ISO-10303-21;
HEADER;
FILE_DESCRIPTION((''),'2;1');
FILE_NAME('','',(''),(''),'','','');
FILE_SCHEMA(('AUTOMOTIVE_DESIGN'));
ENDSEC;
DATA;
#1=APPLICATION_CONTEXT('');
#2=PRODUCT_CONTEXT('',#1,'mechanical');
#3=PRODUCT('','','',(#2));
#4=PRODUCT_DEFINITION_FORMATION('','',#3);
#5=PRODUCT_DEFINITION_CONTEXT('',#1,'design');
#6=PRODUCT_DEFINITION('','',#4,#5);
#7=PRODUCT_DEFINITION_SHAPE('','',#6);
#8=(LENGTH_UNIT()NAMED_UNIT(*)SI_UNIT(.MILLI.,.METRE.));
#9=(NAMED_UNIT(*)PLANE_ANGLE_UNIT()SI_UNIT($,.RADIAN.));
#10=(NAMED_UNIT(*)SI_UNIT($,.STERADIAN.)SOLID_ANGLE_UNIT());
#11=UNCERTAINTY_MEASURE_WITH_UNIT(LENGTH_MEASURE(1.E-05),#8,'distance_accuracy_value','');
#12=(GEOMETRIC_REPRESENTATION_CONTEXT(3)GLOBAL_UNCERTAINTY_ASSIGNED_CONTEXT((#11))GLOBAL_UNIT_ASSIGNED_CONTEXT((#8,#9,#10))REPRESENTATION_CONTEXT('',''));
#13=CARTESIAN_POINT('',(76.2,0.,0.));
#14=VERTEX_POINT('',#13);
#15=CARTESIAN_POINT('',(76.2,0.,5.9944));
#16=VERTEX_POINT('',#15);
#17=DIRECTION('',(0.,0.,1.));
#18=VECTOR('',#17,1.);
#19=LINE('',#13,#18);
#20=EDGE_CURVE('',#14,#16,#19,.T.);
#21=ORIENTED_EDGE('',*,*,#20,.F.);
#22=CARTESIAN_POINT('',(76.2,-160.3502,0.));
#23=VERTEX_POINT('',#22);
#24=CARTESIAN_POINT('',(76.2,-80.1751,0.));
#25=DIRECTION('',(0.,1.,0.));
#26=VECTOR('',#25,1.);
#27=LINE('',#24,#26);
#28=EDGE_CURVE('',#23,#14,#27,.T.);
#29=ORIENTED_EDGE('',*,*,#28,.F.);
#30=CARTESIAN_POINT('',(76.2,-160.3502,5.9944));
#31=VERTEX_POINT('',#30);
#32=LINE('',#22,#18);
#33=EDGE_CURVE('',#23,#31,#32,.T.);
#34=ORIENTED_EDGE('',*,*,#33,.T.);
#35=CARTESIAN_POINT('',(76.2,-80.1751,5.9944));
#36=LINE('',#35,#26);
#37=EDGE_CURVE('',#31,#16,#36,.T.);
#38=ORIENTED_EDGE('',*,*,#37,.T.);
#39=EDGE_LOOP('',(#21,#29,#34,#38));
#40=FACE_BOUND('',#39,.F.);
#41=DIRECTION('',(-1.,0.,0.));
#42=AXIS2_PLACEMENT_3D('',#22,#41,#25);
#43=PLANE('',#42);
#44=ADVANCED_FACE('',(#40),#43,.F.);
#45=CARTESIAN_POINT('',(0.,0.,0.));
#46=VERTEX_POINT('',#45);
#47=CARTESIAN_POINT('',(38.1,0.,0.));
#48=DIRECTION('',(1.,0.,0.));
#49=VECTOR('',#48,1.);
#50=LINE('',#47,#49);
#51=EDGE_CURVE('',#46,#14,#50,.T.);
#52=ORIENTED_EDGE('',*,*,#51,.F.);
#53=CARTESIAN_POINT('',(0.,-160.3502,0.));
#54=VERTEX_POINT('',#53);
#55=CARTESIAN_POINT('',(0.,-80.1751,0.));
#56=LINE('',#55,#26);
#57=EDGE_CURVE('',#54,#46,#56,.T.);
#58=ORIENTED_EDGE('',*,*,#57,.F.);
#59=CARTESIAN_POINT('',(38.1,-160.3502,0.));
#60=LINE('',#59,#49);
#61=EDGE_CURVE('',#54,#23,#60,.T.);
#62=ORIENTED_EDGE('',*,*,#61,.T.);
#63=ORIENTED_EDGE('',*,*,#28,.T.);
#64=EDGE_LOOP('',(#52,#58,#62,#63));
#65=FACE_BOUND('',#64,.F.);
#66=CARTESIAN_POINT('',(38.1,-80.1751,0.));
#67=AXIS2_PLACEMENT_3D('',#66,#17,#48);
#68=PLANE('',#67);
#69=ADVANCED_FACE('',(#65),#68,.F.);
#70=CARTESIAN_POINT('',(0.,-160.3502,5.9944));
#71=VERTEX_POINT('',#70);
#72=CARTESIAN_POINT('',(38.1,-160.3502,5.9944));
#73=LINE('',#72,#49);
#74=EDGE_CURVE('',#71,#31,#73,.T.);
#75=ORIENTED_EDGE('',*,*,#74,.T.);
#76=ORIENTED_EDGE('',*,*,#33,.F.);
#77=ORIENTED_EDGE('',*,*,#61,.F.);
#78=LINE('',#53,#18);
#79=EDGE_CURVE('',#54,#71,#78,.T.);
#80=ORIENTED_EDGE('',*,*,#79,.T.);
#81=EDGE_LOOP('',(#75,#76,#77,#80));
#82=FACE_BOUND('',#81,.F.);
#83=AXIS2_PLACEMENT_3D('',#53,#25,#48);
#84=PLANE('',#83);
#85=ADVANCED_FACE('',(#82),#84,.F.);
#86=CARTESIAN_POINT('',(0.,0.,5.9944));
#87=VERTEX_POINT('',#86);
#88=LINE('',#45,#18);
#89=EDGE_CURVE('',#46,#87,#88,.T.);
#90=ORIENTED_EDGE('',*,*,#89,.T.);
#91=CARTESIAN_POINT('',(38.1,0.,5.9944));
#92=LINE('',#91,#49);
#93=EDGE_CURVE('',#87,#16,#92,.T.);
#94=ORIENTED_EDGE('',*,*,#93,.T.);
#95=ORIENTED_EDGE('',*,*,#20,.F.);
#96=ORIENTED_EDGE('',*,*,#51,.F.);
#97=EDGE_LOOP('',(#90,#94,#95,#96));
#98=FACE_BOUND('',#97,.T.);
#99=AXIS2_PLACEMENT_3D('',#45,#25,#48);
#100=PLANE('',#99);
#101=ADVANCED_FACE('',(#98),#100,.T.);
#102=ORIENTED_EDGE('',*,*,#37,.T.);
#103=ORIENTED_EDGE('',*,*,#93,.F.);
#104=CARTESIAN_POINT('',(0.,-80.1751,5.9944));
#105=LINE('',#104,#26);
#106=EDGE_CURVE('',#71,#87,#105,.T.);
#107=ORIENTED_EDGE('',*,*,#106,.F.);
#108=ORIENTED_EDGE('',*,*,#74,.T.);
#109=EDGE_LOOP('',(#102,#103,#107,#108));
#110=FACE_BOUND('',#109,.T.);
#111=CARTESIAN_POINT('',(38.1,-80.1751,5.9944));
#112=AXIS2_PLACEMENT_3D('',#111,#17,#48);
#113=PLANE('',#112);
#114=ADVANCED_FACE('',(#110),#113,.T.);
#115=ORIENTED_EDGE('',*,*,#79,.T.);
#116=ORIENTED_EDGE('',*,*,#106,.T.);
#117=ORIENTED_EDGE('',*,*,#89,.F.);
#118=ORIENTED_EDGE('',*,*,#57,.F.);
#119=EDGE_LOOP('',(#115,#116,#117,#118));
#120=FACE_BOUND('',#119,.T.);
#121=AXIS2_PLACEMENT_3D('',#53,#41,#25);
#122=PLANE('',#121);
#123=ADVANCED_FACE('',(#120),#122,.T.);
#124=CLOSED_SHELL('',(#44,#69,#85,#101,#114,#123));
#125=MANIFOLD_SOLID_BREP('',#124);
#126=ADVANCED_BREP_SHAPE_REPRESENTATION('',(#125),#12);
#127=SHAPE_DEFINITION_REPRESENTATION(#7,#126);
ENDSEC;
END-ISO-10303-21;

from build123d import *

# Parameters (mm, degrees)
SKETCH_W      = 76.2
SKETCH_H      = 160.3502
EXTRUDE_DEPTH = 5.9944


with BuildPart() as part:
    # Sketch → Extrude (new body)
    with BuildSketch(Plane.XY):
        with Locations((38.1, -80.1751)):
            Rectangle(SKETCH_W, SKETCH_H)
    extrude(amount=EXTRUDE_DEPTH)


solid = part.part
